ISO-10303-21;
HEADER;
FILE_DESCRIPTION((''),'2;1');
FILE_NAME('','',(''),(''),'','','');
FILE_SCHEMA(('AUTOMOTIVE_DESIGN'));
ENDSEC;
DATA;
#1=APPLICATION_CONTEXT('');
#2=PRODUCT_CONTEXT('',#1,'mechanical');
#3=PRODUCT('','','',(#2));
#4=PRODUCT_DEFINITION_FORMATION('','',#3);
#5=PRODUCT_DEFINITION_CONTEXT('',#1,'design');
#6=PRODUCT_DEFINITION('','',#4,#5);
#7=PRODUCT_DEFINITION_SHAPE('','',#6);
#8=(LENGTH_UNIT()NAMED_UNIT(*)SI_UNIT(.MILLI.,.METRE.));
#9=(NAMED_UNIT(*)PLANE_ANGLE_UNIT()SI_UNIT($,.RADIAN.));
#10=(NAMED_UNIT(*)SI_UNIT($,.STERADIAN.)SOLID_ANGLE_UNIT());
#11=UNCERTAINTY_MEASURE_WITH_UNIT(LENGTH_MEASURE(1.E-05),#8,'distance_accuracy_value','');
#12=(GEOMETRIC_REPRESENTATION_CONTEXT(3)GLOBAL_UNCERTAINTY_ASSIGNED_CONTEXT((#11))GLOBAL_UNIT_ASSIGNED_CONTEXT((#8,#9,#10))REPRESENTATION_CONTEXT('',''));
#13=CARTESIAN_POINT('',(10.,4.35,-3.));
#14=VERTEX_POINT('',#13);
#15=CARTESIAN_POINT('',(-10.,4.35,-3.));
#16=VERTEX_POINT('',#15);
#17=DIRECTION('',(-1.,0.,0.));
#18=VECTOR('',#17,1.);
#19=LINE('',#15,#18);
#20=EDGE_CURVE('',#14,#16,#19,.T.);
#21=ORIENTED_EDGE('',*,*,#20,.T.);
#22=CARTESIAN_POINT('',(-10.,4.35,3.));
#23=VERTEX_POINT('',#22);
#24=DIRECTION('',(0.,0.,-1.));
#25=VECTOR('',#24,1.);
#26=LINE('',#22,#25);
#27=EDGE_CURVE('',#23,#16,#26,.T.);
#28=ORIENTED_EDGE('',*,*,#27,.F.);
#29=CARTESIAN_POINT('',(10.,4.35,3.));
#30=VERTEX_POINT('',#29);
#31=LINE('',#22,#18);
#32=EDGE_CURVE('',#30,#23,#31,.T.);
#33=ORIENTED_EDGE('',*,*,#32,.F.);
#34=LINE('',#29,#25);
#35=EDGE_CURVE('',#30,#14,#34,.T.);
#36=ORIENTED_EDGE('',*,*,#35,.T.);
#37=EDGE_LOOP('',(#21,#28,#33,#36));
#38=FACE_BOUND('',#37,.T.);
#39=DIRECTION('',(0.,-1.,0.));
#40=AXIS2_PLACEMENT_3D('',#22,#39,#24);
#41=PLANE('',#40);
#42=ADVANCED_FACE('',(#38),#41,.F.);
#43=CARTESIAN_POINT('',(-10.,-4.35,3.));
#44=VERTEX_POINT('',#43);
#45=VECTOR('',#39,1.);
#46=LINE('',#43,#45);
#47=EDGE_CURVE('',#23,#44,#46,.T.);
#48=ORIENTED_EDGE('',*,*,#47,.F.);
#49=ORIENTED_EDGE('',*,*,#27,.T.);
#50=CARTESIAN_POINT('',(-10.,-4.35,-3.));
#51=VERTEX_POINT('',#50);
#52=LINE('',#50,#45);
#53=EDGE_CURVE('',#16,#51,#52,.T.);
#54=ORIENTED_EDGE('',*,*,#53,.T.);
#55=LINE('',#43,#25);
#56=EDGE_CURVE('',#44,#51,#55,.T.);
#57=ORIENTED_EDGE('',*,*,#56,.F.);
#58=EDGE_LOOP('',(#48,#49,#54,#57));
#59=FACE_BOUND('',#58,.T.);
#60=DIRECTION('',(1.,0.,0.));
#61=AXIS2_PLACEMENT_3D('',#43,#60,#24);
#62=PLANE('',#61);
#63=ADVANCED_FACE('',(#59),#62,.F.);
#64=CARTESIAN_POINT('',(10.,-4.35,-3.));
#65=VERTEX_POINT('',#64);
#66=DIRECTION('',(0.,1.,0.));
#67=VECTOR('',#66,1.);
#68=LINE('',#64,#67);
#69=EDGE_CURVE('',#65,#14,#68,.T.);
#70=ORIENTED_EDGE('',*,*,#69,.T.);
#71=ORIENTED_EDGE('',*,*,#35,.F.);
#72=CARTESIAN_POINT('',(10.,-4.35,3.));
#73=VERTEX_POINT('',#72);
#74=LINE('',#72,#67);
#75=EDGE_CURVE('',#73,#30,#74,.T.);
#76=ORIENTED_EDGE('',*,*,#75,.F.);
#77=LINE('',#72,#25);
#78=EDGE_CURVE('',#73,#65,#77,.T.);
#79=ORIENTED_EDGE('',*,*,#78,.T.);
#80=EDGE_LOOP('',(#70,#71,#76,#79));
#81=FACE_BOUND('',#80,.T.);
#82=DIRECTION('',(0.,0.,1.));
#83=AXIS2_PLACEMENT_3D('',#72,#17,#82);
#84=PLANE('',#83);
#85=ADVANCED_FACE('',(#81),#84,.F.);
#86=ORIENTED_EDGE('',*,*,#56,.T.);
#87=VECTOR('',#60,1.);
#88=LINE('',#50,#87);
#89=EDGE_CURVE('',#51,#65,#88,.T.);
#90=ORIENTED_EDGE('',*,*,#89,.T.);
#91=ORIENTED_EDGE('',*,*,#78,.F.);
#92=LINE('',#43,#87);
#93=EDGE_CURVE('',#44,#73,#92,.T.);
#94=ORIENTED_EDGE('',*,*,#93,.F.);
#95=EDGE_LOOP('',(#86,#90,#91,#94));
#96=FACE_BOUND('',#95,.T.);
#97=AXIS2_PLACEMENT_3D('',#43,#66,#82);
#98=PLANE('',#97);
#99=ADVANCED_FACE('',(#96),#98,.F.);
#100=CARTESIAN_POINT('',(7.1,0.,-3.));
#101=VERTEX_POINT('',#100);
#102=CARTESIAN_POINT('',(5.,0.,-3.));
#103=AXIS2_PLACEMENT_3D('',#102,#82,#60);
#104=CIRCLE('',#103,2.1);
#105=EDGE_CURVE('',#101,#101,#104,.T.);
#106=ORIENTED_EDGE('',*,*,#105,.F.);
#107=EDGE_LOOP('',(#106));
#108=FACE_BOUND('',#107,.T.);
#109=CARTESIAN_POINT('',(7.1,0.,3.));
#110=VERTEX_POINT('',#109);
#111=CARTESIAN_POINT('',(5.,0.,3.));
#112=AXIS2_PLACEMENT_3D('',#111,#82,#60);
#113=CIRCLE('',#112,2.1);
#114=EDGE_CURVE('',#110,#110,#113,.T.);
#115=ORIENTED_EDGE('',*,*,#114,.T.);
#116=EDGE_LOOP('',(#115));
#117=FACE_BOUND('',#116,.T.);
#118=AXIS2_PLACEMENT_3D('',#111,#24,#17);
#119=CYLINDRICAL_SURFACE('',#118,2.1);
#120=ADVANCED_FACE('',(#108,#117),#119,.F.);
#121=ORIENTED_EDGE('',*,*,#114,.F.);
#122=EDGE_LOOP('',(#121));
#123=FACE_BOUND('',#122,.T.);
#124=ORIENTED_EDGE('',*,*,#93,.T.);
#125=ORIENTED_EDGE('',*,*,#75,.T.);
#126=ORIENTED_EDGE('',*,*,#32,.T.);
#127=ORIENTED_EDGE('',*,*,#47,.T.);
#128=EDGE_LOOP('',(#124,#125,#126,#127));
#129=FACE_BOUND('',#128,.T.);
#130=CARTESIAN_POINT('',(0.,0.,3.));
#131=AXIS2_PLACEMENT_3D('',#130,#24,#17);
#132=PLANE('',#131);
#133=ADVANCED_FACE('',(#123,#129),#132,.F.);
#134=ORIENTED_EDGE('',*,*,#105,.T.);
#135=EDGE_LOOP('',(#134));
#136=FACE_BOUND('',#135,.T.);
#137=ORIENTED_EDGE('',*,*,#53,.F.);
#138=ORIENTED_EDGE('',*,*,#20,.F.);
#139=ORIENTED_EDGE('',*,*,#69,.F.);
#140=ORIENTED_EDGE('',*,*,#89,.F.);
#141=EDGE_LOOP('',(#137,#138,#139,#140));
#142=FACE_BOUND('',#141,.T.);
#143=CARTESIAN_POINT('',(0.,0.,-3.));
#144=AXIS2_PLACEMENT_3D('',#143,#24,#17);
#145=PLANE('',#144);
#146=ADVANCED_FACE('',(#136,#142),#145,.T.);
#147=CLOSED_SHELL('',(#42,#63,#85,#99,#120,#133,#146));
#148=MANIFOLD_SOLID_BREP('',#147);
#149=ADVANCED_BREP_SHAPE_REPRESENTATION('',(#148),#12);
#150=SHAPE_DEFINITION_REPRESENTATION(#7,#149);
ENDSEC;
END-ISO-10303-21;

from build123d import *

# Parameters (mm, degrees)
SKETCH_1_W      = 20
SKETCH_1_H      = 8.7
SKETCH_1_R      = 2.1
EXTRUDE_1_DEPTH = 3


with BuildPart() as part:
    # 草图1 → 凸台-拉伸1 (new, symmetric)
    with BuildSketch(Plane.XY):
        Rectangle(SKETCH_1_W, SKETCH_1_H)
        with Locations((5, 0)):
            Circle(SKETCH_1_R, mode=Mode.SUBTRACT)
    extrude(amount=EXTRUDE_1_DEPTH, both=True)


solid = part.part
